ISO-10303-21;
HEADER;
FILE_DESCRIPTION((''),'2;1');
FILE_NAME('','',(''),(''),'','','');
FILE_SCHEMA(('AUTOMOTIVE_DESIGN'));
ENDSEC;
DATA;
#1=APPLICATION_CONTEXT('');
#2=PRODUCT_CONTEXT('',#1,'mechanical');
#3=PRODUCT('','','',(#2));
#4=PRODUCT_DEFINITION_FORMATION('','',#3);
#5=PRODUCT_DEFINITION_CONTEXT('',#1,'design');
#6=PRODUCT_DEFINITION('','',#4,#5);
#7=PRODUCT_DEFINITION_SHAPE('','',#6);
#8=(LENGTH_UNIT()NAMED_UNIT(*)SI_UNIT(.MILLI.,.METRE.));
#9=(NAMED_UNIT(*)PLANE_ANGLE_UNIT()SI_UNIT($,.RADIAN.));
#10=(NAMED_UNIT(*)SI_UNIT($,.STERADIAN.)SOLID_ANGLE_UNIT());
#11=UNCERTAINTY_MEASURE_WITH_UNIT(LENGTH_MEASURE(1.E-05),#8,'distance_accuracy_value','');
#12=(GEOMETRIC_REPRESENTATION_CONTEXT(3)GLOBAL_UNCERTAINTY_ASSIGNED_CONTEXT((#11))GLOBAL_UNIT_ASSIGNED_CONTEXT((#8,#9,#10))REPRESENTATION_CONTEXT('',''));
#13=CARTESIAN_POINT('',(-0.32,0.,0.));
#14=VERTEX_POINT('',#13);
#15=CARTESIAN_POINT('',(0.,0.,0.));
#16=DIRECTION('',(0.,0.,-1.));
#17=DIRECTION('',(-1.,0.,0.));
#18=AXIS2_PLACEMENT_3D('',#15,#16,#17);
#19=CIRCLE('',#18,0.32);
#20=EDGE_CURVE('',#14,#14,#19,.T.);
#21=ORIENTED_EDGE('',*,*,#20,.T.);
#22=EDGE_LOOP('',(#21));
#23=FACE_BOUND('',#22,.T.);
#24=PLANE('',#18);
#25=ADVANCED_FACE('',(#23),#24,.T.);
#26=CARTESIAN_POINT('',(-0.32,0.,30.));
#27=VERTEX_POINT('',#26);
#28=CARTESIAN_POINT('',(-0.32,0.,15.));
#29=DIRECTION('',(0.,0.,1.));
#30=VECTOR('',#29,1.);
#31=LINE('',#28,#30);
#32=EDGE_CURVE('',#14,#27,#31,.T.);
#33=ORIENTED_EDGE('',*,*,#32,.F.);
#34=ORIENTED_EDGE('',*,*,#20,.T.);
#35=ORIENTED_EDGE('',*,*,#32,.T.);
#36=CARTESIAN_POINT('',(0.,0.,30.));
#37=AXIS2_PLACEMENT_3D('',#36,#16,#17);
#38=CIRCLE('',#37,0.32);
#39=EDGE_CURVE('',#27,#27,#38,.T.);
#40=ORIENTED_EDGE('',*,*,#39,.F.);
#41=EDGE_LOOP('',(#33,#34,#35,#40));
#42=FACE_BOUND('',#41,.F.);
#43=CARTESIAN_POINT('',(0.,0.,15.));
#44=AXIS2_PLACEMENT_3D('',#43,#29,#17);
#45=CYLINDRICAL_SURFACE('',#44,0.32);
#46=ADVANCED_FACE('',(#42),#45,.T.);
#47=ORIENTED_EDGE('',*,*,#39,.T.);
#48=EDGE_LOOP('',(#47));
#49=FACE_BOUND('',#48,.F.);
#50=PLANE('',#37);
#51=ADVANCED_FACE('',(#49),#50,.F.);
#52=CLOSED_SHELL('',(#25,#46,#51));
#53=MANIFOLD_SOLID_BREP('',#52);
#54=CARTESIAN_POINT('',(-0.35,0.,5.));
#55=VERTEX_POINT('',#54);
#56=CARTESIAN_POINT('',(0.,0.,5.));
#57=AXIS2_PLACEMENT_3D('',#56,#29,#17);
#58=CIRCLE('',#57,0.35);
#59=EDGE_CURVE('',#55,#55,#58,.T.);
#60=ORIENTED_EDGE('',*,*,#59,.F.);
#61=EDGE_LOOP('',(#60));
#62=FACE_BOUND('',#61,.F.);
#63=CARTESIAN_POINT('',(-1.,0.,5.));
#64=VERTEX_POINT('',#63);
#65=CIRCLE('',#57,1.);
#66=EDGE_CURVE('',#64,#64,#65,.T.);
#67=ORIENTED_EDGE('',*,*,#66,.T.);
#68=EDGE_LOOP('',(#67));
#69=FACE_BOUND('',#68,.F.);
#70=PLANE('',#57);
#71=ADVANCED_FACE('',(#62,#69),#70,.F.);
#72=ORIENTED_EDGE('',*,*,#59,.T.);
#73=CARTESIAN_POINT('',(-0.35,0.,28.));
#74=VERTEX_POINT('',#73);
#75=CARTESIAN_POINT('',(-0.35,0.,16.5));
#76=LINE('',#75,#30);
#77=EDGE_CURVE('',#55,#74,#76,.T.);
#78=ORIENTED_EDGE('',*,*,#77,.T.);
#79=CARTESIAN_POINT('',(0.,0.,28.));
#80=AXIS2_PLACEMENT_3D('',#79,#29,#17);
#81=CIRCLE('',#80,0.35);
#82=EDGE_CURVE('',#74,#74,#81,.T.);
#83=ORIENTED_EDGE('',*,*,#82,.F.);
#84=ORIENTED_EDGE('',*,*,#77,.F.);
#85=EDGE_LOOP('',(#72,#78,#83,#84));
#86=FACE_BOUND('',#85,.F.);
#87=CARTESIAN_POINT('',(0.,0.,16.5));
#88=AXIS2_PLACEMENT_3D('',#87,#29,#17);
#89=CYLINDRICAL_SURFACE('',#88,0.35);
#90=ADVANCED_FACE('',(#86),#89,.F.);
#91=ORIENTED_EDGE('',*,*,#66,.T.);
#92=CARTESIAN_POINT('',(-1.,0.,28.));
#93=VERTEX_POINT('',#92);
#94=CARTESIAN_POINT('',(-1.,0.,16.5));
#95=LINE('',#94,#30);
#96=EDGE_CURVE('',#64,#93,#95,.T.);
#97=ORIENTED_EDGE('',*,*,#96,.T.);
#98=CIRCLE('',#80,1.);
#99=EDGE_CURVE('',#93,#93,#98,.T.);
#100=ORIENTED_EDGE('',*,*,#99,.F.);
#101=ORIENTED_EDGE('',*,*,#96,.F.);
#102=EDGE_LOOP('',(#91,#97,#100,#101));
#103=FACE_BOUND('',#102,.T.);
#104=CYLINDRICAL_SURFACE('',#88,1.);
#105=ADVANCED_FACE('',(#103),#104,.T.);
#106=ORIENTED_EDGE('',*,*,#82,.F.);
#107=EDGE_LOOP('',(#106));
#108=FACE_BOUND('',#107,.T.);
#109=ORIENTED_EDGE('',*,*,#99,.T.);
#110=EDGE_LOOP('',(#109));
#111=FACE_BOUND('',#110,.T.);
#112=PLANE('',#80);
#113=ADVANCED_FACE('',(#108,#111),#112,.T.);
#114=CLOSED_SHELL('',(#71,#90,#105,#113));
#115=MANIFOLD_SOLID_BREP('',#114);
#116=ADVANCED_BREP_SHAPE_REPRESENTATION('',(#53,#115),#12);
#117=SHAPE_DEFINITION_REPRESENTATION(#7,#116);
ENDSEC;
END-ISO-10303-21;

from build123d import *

# Parameters (mm, degrees)
F0_W = 0.32
F0_H = 30
F2_W = 0.65
F2_H = 23


with BuildPart() as f1:
    # F0 (on Front) → F1 (revolve)
    with BuildSketch(Plane.XZ):
        with Locations((-0.16, 15)):
            Rectangle(F0_W, F0_H)
    revolve(axis=Axis((0, 0, 15), (0, 0, -1)))


with BuildPart() as f3:
    # F2 (on Front) → F3 (revolve)
    with BuildSketch(Plane.XZ):
        with Locations((-0.675, 16.5)):
            Rectangle(F2_W, F2_H)
    revolve(axis=Axis((0, 0, 18.896753), (0, 0, 1)))


solid = Compound([f1.part, f3.part])
